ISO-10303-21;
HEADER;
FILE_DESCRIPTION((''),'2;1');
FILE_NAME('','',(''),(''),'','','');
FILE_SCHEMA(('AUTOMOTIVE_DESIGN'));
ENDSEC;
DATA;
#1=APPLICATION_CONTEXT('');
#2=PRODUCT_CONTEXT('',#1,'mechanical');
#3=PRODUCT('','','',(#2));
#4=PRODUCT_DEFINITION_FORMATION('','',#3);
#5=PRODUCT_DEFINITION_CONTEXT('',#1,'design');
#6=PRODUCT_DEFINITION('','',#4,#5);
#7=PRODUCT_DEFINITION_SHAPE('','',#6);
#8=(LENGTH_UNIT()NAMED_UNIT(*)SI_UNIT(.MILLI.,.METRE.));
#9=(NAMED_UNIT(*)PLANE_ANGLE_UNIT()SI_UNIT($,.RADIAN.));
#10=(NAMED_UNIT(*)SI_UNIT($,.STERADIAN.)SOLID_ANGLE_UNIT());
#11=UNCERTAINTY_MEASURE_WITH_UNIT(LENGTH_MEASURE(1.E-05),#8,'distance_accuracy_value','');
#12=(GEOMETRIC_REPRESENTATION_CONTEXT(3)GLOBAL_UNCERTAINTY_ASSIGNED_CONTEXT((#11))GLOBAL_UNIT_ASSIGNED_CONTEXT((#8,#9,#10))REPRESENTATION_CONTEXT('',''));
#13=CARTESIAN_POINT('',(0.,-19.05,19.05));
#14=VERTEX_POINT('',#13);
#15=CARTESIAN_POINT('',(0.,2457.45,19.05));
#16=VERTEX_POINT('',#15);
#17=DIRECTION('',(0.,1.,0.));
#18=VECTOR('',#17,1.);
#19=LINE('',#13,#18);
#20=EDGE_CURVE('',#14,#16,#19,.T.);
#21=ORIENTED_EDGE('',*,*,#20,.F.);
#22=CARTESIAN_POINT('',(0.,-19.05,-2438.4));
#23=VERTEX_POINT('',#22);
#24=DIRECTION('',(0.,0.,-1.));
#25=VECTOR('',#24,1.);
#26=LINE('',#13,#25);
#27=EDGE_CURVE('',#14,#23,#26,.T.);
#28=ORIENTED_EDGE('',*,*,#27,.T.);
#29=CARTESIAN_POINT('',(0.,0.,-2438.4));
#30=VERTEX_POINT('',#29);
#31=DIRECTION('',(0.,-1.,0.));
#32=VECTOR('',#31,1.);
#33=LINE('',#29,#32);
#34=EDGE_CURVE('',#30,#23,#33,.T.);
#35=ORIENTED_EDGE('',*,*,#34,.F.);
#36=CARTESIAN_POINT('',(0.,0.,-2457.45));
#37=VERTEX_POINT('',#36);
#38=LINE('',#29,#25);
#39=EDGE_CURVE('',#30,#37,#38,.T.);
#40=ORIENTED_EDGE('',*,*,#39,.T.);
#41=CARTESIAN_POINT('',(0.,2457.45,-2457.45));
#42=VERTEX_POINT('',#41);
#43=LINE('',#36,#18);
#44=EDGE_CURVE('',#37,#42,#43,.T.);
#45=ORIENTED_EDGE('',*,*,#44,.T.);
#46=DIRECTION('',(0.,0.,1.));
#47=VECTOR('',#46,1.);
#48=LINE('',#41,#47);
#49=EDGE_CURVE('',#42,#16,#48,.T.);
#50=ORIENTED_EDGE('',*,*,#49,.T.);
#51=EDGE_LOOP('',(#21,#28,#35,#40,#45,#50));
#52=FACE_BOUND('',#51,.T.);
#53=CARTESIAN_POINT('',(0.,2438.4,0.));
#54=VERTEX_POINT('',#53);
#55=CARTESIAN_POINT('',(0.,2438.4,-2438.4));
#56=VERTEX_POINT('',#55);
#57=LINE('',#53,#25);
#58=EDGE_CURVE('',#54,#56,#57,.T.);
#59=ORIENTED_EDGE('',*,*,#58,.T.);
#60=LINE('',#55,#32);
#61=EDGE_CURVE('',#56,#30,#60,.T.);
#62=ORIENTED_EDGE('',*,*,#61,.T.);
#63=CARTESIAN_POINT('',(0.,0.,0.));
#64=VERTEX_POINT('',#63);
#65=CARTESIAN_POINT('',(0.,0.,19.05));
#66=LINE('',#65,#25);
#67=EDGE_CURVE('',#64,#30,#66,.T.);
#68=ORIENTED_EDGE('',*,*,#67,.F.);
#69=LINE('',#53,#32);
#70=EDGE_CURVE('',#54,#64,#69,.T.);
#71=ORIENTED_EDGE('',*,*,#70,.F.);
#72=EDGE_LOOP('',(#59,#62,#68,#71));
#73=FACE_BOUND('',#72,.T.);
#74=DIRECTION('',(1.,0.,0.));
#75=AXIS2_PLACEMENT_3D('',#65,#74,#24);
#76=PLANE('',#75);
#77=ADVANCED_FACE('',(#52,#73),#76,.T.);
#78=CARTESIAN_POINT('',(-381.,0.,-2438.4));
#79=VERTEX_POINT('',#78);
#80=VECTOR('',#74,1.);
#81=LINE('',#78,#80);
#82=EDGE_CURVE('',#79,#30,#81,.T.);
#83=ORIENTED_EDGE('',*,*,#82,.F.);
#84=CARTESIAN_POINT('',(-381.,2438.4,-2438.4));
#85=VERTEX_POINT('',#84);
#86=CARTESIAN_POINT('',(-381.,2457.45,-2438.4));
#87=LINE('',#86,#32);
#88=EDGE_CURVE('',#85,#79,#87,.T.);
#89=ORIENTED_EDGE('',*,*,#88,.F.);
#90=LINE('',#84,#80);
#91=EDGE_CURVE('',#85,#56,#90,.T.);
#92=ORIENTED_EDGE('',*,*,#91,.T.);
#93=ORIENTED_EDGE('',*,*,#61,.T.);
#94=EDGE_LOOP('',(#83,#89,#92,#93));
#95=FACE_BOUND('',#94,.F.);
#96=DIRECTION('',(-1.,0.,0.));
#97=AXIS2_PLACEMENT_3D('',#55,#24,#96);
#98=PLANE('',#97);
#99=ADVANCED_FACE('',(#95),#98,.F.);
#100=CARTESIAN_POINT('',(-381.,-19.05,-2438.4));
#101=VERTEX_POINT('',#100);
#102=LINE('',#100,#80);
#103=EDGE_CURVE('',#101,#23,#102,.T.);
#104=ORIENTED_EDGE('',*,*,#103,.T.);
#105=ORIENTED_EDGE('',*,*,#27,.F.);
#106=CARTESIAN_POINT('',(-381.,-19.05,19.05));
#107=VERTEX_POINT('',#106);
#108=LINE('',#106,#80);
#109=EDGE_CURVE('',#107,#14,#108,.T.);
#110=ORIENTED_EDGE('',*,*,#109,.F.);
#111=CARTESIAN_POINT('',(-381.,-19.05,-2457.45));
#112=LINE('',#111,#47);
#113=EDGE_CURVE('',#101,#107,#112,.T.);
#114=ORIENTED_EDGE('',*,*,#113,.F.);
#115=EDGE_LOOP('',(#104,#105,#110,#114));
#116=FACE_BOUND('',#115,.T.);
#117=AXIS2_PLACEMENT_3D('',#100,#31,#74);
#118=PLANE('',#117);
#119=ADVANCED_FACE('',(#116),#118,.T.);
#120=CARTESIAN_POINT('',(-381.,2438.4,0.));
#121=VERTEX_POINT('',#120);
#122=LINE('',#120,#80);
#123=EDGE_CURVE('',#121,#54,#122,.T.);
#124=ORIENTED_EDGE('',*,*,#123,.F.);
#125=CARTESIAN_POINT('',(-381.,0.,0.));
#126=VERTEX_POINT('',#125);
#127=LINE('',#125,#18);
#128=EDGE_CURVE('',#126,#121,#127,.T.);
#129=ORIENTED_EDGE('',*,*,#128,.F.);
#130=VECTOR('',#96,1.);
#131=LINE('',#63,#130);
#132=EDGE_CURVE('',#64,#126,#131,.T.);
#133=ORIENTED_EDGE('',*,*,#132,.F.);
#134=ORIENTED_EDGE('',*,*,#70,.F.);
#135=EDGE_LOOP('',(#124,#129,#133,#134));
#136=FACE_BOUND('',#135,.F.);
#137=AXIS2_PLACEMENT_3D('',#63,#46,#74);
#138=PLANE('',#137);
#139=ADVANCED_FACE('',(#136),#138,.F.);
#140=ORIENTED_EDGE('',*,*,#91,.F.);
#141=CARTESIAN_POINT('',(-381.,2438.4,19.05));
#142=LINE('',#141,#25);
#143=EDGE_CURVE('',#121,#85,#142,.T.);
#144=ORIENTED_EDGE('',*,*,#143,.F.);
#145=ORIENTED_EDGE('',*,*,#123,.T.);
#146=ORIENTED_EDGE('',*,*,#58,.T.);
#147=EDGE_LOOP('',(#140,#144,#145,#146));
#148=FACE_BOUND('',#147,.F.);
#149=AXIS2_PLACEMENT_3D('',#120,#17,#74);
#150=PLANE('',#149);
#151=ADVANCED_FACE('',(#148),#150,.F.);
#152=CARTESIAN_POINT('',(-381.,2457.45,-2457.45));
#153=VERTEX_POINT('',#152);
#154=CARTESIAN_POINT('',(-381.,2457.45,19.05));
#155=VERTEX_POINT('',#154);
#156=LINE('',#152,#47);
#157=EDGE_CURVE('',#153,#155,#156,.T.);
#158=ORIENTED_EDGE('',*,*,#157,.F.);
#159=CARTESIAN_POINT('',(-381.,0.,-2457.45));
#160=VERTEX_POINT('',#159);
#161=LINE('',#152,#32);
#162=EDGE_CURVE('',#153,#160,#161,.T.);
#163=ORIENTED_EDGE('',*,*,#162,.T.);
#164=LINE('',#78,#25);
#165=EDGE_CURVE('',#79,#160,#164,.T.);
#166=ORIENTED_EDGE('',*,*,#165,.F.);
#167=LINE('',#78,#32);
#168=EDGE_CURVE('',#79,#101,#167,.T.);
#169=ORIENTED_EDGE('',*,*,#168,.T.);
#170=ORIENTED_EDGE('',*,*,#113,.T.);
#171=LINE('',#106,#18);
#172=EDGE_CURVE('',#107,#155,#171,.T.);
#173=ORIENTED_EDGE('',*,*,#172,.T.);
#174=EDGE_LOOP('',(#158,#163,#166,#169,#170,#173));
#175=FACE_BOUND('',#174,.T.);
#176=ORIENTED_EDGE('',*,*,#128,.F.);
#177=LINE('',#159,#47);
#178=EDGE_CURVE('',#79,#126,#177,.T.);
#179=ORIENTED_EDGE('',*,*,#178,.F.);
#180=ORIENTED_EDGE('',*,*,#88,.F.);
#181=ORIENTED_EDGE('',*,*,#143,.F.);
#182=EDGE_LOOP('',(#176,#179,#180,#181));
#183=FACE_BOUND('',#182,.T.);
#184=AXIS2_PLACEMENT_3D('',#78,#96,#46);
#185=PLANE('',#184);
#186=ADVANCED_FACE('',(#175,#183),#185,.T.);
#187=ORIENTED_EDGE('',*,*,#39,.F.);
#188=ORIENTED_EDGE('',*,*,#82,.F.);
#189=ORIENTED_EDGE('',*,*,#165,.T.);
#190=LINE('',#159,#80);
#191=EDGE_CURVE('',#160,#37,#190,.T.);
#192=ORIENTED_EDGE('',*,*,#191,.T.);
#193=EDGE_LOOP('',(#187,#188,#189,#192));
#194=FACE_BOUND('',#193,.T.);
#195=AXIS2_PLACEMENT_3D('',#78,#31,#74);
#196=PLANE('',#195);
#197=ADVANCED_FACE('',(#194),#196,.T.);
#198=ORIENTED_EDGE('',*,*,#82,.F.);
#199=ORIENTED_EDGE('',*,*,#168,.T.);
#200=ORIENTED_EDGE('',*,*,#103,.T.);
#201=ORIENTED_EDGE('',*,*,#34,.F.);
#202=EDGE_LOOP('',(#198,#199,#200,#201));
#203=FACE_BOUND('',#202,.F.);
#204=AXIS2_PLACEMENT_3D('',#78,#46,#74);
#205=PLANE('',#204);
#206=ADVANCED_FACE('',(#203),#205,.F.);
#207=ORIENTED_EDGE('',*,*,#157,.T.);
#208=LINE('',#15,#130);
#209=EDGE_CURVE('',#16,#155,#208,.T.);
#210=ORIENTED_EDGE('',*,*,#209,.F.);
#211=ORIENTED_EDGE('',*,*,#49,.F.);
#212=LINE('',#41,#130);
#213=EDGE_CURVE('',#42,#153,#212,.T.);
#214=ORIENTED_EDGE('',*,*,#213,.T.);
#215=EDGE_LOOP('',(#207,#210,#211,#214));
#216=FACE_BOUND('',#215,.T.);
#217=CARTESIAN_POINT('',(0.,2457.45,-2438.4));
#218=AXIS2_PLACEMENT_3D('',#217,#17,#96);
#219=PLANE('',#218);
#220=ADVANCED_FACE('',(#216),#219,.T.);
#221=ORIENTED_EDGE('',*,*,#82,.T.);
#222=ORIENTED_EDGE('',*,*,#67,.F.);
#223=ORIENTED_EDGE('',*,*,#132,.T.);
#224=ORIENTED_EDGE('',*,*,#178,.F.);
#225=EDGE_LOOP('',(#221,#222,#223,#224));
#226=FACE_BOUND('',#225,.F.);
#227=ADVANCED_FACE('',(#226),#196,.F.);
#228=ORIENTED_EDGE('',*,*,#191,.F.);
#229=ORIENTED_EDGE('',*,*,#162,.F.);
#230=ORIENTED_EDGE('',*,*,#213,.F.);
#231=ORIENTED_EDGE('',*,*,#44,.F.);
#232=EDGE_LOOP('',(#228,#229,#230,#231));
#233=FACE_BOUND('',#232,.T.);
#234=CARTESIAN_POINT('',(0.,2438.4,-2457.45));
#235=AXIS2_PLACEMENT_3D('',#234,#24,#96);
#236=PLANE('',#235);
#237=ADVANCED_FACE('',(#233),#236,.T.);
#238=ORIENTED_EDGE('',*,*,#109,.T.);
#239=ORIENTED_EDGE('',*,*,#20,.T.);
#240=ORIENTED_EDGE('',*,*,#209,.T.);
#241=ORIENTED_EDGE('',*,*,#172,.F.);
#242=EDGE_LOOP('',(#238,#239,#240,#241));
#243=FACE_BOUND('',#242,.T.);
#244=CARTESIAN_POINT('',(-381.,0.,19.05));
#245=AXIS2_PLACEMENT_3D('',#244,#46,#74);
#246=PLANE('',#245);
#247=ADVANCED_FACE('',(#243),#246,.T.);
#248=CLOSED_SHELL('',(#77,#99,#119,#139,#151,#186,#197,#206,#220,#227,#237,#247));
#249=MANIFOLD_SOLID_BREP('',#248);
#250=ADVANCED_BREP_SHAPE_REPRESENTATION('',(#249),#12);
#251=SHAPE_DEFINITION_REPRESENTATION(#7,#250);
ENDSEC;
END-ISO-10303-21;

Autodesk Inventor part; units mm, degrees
ref_plane "YZ Plane" through (0, 0, 0) normal (1, 0, 0) x (0, 1, 0)
ref_plane "XZ Plane" through (0, 0, 0) normal (0, 1, 0) x (-1, 0, 0)
ref_plane "XY Plane" through (0, 0, 0) normal (0, 0, 1) x (1, 0, 0)
sketch "Sketch1" plane through (0, 0, 0) normal (0, 0, 1) x (1, 0, 0)
  line L0 (0, 0) -> (-381, 0)
  line L1 (-381, 0) -> (-381, 2438.4)
  line L2 (-381, 2438.4) -> (0, 2438.4)
  line L3 (0, 2438.4) -> (0, 0)
  dimension "d0" = 2438.4
  dimension "d1" = 381
extrude "Extrusion1" add sketch "Sketch1" along normal blind 19.05
sketch "Sketch2" plane through (-381, 2438.4, 0) normal (0, 1, 0) x (1, 0, 0)
  line L0 (381, 0) -> (381, 2438.4) projected
  line L1 (381, -19.05) -> (0, -19.05) projected
  line L2 (381, -19.05) -> (0, -19.05)
  line L3 (0, -19.05) -> (0, 2438.4)
  line L4 (0, 2438.4) -> (381, 2438.4)
  line L5 (381, 2438.4) -> (381, -19.05)
extrude "Extrusion2" add sketch "Sketch2" along normal blind 19.05
sketch "Sketch3" plane through (0, 2438.4, -2438.4) normal (0, 0, -1) x (-1, 0, 0)
  line L0 (0, 0) -> (0, -2438.4) projected
  line L1 (0, 19.05) -> (381, 19.05) projected
  line L2 (0, 19.05) -> (381, 19.05)
  line L3 (381, 19.05) -> (381, -2438.4)
  line L4 (381, -2438.4) -> (0, -2438.4)
  line L5 (0, -2438.4) -> (0, 19.05)
extrude "Extrusion3" add sketch "Sketch3" along normal blind 19.05
sketch "Sketch4" plane through (-381, 0, -2438.4) normal (0, -1, 0) x (1, 0, 0)
  line L0 (0, 0) -> (381, 0) projected
  line L1 (0, 0) -> (0, -19.05) projected
  line L2 (381, -19.05) -> (0, -19.05) projected
  line L3 (381, 0) -> (381, -19.05) projected
  line L4 (0, 2457.45) -> (381, 2457.45) projected
  line L5 (381, 0) -> (381, -19.05) projected
  line L6 (381, -19.05) -> (0, -19.05)
  line L7 (0, -19.05) -> (0, 2457.45)
  line L8 (0, 2457.45) -> (381, 2457.45)
  line L9 (381, 2457.45) -> (381, -19.05)
  point P0 (381, 2438.4)
extrude "Extrusion4" add sketch "Sketch4" along normal blind 19.05 contours L7 L4 L9 L0
properties part number "Walls"
